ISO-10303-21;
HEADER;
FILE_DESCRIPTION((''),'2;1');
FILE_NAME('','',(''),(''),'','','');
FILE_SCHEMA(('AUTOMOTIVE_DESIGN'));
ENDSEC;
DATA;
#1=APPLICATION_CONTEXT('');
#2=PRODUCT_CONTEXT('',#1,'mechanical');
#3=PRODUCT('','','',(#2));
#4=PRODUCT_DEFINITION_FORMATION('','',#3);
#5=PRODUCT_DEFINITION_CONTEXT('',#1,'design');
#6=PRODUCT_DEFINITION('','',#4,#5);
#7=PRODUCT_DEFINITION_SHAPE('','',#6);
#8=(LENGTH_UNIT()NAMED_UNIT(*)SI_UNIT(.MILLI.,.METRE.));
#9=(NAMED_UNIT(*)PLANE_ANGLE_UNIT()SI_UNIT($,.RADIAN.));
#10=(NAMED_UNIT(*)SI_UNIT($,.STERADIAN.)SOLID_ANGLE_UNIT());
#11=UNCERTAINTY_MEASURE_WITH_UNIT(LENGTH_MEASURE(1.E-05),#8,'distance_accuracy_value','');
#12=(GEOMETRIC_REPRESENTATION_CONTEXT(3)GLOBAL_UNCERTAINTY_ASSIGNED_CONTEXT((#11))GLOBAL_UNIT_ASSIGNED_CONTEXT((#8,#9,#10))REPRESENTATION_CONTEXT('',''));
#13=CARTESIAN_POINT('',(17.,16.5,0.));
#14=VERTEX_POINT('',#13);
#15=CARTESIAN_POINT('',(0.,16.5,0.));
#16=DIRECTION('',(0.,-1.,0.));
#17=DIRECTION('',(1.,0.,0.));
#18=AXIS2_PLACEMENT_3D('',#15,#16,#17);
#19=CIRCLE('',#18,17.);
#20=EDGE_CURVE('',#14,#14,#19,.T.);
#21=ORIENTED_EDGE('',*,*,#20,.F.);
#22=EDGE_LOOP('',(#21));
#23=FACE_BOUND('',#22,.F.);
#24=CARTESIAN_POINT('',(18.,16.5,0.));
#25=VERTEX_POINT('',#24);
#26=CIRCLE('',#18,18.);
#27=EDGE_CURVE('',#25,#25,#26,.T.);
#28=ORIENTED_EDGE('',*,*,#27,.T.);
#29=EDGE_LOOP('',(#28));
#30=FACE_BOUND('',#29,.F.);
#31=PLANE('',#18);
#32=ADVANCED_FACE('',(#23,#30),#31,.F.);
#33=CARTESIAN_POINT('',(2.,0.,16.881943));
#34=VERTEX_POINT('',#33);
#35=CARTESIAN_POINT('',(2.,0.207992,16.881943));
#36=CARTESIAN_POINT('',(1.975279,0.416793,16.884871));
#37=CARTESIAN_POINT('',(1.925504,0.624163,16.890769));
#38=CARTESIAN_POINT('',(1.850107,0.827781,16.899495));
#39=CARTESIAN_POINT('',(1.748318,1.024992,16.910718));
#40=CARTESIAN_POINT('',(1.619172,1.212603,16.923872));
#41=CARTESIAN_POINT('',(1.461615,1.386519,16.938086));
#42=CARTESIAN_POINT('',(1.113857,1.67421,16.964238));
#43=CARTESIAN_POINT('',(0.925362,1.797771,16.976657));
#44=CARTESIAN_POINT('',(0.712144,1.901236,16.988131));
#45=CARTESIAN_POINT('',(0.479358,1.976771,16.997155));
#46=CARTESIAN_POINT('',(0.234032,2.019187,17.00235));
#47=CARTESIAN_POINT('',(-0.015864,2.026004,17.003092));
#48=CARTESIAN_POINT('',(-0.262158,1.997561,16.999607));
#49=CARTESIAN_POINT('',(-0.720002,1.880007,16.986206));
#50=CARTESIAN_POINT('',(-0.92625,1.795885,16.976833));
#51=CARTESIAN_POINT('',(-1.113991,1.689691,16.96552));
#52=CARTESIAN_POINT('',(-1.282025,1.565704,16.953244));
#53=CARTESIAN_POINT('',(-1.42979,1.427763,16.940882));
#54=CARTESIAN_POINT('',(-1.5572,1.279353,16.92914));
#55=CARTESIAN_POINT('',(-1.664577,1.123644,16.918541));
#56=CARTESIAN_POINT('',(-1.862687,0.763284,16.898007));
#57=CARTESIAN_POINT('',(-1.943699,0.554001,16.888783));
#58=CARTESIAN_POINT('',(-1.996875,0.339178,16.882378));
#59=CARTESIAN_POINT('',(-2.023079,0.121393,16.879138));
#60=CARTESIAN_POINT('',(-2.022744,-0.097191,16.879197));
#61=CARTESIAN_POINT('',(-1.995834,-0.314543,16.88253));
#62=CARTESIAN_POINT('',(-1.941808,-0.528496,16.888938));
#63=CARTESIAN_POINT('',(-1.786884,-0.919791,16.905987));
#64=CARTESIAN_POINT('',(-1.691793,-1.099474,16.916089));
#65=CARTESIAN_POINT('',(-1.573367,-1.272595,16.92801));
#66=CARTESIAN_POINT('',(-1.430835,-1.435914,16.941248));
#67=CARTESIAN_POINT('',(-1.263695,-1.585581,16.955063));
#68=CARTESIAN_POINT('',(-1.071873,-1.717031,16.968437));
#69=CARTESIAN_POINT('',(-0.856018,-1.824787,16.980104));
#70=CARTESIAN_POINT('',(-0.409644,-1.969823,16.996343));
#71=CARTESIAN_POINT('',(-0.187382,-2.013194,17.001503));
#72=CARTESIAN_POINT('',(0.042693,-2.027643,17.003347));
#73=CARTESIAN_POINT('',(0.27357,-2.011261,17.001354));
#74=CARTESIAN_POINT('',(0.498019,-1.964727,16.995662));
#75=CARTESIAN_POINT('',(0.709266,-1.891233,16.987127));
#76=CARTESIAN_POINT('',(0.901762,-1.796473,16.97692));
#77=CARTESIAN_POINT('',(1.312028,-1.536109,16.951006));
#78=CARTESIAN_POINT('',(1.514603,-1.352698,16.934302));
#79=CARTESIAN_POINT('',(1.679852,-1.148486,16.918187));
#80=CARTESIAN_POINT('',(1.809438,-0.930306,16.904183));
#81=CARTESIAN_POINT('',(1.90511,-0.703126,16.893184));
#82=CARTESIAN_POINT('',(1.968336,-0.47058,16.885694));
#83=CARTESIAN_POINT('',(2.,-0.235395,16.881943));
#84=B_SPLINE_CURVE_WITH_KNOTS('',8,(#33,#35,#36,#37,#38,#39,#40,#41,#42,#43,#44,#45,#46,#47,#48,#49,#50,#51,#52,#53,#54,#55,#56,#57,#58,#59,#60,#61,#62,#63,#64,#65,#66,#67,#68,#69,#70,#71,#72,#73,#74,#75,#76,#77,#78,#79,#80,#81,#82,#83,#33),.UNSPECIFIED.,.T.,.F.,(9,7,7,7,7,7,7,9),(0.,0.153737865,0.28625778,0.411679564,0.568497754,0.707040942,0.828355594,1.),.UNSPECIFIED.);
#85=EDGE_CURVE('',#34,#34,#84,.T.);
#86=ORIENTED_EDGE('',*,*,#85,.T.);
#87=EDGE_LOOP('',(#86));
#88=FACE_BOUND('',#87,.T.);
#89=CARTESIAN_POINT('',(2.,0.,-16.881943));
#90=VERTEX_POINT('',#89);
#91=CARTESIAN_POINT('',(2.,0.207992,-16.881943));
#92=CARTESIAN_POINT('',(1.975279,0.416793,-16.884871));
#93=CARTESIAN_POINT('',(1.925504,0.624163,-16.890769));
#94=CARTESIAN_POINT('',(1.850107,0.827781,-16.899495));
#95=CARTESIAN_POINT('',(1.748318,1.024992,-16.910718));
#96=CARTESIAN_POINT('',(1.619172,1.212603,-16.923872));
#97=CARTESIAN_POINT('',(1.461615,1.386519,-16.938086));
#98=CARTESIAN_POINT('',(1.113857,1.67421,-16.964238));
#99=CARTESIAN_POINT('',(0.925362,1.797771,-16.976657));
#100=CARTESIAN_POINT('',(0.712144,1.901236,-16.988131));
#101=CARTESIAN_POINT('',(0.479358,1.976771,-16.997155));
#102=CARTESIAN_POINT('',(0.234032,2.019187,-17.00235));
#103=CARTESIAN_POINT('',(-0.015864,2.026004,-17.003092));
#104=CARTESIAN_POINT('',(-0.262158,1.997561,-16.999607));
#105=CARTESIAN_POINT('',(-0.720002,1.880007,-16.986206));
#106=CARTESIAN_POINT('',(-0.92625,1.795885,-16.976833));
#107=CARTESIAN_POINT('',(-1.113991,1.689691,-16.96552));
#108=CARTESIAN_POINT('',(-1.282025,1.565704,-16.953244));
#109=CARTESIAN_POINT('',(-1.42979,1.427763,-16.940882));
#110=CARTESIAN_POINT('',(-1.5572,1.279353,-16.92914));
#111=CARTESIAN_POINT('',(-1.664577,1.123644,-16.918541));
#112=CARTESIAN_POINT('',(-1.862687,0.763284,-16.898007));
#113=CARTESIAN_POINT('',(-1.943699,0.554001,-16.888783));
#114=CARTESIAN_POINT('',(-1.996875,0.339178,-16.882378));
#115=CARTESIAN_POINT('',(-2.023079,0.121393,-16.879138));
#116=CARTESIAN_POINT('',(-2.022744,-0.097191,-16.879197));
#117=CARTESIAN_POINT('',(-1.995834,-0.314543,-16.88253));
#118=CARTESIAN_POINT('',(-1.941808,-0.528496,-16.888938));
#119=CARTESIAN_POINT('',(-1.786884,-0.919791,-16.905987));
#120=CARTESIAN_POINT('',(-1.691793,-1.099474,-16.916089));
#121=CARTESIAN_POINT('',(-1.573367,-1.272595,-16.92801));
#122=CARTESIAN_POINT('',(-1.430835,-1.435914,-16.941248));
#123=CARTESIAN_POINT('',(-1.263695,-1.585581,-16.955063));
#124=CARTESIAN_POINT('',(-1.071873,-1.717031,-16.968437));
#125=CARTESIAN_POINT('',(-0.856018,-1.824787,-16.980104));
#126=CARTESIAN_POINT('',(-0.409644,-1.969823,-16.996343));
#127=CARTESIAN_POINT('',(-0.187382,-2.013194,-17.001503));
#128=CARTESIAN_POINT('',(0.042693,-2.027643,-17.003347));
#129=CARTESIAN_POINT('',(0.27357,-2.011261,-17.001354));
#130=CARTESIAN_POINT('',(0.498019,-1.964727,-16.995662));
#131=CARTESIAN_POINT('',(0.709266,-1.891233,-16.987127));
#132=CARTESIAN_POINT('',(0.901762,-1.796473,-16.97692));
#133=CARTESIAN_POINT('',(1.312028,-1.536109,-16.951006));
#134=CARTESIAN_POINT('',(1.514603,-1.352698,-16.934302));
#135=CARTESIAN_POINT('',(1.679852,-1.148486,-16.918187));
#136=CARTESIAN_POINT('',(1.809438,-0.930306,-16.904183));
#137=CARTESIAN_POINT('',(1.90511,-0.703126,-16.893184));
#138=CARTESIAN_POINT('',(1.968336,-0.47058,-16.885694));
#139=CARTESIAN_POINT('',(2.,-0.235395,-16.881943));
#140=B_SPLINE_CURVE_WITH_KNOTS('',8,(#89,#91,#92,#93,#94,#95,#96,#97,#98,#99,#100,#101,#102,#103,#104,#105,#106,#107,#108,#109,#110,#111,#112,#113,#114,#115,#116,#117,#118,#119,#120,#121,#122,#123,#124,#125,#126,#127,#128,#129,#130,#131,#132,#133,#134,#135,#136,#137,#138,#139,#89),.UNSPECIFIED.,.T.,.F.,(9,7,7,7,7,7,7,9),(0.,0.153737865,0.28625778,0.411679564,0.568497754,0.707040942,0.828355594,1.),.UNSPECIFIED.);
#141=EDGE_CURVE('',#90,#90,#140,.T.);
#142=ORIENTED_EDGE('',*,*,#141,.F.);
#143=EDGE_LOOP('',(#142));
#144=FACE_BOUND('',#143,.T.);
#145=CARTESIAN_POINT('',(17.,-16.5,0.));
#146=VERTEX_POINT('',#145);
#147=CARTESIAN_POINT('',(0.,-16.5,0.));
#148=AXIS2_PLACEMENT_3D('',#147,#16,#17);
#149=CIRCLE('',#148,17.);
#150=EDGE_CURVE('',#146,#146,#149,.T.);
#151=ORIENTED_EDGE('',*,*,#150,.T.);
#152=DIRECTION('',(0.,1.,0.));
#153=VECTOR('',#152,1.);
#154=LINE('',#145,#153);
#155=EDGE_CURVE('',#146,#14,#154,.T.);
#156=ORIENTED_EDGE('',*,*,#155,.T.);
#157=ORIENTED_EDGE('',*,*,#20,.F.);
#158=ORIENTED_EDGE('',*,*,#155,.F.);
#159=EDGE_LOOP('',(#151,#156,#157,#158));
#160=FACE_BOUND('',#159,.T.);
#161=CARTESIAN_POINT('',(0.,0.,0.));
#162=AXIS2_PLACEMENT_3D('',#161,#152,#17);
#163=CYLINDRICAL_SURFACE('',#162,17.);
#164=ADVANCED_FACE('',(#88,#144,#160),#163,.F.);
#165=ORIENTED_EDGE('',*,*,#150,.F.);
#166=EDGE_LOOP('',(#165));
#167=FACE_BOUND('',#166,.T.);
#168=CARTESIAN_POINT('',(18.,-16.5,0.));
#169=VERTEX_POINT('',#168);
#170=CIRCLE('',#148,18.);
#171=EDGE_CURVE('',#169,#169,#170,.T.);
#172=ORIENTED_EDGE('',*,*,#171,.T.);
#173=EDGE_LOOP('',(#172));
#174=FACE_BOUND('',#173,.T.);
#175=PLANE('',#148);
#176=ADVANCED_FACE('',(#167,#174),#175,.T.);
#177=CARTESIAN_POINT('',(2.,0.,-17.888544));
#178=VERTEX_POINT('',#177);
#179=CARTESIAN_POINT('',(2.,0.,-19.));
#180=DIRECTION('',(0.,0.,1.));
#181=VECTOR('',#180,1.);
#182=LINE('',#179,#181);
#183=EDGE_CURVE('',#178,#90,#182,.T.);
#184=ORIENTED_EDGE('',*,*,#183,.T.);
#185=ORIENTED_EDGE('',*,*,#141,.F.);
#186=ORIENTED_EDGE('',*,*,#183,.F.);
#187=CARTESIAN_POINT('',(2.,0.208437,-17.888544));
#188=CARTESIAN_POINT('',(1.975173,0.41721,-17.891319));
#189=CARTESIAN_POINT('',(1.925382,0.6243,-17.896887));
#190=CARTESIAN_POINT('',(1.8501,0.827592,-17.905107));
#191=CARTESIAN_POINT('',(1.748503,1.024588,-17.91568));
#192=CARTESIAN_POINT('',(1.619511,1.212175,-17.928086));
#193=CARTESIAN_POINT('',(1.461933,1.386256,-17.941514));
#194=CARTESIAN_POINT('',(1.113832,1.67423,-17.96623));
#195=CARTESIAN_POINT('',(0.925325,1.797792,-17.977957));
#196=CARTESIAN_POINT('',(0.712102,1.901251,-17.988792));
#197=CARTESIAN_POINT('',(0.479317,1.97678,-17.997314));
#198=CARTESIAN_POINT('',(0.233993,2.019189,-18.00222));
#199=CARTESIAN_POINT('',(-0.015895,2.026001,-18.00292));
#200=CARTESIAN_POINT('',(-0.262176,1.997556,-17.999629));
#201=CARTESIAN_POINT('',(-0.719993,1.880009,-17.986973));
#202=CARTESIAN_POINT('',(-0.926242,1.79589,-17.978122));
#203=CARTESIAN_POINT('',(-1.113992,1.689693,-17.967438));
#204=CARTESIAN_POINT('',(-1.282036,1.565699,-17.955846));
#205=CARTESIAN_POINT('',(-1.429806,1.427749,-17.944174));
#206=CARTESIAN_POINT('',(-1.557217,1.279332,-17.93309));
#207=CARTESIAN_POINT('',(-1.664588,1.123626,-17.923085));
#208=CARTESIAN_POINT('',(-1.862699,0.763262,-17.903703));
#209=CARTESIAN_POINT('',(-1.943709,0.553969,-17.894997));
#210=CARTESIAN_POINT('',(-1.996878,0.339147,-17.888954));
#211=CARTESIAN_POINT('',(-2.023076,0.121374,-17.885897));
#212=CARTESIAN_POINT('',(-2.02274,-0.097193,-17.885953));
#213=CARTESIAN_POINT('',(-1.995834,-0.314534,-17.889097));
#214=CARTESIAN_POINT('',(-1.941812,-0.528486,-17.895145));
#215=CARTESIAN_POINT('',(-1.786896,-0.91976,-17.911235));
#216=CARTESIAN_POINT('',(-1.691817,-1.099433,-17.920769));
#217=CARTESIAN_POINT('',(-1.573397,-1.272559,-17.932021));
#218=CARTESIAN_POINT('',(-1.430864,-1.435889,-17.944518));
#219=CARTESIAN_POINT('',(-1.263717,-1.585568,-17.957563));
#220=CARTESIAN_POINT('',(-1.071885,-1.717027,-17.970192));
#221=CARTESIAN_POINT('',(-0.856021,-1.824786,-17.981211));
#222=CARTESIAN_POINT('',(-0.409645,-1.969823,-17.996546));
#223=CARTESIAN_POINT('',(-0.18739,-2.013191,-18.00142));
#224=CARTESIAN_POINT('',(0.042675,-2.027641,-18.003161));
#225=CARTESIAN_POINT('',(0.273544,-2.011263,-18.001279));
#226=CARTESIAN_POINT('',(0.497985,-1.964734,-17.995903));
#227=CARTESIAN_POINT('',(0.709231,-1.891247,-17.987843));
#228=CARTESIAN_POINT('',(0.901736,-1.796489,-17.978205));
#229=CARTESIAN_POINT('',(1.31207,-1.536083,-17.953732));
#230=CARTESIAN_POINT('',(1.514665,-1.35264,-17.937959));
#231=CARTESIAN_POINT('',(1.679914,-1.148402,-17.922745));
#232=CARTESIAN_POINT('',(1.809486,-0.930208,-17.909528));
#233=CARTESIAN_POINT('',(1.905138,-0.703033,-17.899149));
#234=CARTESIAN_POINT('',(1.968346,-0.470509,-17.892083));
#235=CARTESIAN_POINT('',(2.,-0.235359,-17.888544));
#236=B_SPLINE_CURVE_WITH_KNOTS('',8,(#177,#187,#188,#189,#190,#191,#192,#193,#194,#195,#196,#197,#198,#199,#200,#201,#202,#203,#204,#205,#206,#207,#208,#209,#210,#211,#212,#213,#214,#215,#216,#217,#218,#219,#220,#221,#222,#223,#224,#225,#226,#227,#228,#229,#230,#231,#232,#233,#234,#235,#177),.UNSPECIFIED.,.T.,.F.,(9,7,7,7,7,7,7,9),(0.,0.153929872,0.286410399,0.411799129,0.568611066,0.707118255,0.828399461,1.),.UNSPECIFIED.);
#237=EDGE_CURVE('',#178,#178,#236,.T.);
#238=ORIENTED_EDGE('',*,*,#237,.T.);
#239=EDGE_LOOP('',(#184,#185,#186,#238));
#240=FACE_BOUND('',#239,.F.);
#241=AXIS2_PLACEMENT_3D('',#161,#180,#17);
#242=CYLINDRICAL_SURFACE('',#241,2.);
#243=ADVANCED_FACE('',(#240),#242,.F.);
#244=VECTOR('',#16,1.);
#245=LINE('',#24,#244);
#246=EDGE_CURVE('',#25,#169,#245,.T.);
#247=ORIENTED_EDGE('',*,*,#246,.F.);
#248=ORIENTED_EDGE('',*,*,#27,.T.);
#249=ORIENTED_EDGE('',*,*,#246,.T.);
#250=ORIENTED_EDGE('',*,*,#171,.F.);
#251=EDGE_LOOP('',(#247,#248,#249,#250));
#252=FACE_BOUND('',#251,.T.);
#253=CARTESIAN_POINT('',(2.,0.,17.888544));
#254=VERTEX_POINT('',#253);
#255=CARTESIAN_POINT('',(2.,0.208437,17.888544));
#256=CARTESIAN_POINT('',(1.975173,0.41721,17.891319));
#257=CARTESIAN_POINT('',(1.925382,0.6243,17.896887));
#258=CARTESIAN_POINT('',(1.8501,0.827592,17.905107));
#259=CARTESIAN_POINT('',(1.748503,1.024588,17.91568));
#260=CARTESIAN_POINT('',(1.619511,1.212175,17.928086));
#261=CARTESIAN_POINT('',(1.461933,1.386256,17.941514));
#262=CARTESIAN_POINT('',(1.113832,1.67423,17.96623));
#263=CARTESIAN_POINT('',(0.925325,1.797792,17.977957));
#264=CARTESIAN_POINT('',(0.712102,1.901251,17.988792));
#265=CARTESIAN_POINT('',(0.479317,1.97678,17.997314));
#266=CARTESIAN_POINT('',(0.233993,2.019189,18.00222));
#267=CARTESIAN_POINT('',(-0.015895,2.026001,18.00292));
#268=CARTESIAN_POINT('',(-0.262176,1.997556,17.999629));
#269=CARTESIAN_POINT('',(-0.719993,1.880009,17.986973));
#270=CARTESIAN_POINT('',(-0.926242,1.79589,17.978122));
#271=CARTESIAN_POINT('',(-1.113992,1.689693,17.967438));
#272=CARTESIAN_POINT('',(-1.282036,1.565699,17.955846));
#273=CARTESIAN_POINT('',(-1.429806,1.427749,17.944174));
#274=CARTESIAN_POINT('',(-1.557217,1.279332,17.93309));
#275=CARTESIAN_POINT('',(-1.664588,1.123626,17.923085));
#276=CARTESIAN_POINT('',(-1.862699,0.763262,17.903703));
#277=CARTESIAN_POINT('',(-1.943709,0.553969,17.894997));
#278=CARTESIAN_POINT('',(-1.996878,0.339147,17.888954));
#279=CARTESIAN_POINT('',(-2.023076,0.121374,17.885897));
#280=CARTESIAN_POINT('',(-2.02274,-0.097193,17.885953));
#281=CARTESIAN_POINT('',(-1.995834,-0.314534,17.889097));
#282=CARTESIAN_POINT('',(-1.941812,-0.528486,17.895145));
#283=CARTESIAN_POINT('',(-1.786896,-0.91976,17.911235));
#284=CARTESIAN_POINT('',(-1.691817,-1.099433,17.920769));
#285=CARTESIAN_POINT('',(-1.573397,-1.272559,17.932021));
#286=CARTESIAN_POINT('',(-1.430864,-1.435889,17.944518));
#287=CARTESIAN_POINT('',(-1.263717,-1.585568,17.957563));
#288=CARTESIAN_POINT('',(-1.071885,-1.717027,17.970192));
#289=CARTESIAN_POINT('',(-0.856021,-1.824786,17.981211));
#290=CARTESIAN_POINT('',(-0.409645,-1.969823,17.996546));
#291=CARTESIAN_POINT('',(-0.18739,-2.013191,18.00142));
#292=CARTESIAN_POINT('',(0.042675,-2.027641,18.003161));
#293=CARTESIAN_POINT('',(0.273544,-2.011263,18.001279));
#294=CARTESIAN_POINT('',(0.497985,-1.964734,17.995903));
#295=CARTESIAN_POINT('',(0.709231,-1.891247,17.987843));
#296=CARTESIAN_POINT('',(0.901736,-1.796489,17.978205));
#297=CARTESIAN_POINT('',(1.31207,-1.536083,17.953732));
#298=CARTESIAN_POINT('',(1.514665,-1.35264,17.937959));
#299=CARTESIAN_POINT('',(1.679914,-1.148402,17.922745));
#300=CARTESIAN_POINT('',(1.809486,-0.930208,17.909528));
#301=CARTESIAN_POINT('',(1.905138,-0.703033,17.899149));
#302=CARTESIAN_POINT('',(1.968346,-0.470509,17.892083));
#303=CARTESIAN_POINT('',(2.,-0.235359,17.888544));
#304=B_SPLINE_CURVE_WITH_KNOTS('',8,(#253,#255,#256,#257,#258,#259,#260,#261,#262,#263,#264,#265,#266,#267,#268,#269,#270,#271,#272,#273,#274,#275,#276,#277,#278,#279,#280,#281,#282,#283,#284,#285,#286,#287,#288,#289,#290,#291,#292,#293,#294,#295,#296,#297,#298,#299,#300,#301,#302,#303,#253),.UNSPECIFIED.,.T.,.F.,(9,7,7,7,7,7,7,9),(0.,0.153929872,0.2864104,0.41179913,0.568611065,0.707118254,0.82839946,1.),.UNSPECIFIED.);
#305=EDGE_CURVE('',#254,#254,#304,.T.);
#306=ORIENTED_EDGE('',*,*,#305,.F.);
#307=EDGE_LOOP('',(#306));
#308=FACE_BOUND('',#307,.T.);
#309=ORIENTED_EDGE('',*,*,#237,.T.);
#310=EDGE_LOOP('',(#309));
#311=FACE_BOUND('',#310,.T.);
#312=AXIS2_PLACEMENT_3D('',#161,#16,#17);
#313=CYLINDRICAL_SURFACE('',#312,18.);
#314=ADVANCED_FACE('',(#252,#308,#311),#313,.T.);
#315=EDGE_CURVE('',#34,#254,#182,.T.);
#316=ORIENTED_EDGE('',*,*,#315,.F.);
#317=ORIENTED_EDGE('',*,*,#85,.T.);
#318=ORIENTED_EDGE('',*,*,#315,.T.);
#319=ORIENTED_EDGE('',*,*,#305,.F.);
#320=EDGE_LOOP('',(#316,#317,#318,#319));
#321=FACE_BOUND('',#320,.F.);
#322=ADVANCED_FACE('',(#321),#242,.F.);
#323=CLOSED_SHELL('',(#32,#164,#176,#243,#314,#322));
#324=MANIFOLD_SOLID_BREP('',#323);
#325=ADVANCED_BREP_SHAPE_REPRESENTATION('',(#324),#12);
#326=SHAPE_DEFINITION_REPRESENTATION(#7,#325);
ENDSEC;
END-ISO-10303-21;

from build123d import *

# Parameters (mm, degrees)
F0_R     = 18
F0_R_2   = 17
F1_DEPTH = 16.5
F2_R     = 2
F3_DEPTH = 19


with BuildPart() as f1:
    # F0 (on Front) → F1 (new body, symmetric)
    with BuildSketch(Plane.XZ):
        Circle(F0_R)
        Circle(F0_R_2, mode=Mode.SUBTRACT)
    extrude(amount=F1_DEPTH, both=True)

    # F2 (on Top) → F3 (cut, symmetric)
    with BuildSketch(Plane.XY):
        Circle(F2_R)
    extrude(amount=F3_DEPTH, both=True, mode=Mode.SUBTRACT)


solid = f1.part
